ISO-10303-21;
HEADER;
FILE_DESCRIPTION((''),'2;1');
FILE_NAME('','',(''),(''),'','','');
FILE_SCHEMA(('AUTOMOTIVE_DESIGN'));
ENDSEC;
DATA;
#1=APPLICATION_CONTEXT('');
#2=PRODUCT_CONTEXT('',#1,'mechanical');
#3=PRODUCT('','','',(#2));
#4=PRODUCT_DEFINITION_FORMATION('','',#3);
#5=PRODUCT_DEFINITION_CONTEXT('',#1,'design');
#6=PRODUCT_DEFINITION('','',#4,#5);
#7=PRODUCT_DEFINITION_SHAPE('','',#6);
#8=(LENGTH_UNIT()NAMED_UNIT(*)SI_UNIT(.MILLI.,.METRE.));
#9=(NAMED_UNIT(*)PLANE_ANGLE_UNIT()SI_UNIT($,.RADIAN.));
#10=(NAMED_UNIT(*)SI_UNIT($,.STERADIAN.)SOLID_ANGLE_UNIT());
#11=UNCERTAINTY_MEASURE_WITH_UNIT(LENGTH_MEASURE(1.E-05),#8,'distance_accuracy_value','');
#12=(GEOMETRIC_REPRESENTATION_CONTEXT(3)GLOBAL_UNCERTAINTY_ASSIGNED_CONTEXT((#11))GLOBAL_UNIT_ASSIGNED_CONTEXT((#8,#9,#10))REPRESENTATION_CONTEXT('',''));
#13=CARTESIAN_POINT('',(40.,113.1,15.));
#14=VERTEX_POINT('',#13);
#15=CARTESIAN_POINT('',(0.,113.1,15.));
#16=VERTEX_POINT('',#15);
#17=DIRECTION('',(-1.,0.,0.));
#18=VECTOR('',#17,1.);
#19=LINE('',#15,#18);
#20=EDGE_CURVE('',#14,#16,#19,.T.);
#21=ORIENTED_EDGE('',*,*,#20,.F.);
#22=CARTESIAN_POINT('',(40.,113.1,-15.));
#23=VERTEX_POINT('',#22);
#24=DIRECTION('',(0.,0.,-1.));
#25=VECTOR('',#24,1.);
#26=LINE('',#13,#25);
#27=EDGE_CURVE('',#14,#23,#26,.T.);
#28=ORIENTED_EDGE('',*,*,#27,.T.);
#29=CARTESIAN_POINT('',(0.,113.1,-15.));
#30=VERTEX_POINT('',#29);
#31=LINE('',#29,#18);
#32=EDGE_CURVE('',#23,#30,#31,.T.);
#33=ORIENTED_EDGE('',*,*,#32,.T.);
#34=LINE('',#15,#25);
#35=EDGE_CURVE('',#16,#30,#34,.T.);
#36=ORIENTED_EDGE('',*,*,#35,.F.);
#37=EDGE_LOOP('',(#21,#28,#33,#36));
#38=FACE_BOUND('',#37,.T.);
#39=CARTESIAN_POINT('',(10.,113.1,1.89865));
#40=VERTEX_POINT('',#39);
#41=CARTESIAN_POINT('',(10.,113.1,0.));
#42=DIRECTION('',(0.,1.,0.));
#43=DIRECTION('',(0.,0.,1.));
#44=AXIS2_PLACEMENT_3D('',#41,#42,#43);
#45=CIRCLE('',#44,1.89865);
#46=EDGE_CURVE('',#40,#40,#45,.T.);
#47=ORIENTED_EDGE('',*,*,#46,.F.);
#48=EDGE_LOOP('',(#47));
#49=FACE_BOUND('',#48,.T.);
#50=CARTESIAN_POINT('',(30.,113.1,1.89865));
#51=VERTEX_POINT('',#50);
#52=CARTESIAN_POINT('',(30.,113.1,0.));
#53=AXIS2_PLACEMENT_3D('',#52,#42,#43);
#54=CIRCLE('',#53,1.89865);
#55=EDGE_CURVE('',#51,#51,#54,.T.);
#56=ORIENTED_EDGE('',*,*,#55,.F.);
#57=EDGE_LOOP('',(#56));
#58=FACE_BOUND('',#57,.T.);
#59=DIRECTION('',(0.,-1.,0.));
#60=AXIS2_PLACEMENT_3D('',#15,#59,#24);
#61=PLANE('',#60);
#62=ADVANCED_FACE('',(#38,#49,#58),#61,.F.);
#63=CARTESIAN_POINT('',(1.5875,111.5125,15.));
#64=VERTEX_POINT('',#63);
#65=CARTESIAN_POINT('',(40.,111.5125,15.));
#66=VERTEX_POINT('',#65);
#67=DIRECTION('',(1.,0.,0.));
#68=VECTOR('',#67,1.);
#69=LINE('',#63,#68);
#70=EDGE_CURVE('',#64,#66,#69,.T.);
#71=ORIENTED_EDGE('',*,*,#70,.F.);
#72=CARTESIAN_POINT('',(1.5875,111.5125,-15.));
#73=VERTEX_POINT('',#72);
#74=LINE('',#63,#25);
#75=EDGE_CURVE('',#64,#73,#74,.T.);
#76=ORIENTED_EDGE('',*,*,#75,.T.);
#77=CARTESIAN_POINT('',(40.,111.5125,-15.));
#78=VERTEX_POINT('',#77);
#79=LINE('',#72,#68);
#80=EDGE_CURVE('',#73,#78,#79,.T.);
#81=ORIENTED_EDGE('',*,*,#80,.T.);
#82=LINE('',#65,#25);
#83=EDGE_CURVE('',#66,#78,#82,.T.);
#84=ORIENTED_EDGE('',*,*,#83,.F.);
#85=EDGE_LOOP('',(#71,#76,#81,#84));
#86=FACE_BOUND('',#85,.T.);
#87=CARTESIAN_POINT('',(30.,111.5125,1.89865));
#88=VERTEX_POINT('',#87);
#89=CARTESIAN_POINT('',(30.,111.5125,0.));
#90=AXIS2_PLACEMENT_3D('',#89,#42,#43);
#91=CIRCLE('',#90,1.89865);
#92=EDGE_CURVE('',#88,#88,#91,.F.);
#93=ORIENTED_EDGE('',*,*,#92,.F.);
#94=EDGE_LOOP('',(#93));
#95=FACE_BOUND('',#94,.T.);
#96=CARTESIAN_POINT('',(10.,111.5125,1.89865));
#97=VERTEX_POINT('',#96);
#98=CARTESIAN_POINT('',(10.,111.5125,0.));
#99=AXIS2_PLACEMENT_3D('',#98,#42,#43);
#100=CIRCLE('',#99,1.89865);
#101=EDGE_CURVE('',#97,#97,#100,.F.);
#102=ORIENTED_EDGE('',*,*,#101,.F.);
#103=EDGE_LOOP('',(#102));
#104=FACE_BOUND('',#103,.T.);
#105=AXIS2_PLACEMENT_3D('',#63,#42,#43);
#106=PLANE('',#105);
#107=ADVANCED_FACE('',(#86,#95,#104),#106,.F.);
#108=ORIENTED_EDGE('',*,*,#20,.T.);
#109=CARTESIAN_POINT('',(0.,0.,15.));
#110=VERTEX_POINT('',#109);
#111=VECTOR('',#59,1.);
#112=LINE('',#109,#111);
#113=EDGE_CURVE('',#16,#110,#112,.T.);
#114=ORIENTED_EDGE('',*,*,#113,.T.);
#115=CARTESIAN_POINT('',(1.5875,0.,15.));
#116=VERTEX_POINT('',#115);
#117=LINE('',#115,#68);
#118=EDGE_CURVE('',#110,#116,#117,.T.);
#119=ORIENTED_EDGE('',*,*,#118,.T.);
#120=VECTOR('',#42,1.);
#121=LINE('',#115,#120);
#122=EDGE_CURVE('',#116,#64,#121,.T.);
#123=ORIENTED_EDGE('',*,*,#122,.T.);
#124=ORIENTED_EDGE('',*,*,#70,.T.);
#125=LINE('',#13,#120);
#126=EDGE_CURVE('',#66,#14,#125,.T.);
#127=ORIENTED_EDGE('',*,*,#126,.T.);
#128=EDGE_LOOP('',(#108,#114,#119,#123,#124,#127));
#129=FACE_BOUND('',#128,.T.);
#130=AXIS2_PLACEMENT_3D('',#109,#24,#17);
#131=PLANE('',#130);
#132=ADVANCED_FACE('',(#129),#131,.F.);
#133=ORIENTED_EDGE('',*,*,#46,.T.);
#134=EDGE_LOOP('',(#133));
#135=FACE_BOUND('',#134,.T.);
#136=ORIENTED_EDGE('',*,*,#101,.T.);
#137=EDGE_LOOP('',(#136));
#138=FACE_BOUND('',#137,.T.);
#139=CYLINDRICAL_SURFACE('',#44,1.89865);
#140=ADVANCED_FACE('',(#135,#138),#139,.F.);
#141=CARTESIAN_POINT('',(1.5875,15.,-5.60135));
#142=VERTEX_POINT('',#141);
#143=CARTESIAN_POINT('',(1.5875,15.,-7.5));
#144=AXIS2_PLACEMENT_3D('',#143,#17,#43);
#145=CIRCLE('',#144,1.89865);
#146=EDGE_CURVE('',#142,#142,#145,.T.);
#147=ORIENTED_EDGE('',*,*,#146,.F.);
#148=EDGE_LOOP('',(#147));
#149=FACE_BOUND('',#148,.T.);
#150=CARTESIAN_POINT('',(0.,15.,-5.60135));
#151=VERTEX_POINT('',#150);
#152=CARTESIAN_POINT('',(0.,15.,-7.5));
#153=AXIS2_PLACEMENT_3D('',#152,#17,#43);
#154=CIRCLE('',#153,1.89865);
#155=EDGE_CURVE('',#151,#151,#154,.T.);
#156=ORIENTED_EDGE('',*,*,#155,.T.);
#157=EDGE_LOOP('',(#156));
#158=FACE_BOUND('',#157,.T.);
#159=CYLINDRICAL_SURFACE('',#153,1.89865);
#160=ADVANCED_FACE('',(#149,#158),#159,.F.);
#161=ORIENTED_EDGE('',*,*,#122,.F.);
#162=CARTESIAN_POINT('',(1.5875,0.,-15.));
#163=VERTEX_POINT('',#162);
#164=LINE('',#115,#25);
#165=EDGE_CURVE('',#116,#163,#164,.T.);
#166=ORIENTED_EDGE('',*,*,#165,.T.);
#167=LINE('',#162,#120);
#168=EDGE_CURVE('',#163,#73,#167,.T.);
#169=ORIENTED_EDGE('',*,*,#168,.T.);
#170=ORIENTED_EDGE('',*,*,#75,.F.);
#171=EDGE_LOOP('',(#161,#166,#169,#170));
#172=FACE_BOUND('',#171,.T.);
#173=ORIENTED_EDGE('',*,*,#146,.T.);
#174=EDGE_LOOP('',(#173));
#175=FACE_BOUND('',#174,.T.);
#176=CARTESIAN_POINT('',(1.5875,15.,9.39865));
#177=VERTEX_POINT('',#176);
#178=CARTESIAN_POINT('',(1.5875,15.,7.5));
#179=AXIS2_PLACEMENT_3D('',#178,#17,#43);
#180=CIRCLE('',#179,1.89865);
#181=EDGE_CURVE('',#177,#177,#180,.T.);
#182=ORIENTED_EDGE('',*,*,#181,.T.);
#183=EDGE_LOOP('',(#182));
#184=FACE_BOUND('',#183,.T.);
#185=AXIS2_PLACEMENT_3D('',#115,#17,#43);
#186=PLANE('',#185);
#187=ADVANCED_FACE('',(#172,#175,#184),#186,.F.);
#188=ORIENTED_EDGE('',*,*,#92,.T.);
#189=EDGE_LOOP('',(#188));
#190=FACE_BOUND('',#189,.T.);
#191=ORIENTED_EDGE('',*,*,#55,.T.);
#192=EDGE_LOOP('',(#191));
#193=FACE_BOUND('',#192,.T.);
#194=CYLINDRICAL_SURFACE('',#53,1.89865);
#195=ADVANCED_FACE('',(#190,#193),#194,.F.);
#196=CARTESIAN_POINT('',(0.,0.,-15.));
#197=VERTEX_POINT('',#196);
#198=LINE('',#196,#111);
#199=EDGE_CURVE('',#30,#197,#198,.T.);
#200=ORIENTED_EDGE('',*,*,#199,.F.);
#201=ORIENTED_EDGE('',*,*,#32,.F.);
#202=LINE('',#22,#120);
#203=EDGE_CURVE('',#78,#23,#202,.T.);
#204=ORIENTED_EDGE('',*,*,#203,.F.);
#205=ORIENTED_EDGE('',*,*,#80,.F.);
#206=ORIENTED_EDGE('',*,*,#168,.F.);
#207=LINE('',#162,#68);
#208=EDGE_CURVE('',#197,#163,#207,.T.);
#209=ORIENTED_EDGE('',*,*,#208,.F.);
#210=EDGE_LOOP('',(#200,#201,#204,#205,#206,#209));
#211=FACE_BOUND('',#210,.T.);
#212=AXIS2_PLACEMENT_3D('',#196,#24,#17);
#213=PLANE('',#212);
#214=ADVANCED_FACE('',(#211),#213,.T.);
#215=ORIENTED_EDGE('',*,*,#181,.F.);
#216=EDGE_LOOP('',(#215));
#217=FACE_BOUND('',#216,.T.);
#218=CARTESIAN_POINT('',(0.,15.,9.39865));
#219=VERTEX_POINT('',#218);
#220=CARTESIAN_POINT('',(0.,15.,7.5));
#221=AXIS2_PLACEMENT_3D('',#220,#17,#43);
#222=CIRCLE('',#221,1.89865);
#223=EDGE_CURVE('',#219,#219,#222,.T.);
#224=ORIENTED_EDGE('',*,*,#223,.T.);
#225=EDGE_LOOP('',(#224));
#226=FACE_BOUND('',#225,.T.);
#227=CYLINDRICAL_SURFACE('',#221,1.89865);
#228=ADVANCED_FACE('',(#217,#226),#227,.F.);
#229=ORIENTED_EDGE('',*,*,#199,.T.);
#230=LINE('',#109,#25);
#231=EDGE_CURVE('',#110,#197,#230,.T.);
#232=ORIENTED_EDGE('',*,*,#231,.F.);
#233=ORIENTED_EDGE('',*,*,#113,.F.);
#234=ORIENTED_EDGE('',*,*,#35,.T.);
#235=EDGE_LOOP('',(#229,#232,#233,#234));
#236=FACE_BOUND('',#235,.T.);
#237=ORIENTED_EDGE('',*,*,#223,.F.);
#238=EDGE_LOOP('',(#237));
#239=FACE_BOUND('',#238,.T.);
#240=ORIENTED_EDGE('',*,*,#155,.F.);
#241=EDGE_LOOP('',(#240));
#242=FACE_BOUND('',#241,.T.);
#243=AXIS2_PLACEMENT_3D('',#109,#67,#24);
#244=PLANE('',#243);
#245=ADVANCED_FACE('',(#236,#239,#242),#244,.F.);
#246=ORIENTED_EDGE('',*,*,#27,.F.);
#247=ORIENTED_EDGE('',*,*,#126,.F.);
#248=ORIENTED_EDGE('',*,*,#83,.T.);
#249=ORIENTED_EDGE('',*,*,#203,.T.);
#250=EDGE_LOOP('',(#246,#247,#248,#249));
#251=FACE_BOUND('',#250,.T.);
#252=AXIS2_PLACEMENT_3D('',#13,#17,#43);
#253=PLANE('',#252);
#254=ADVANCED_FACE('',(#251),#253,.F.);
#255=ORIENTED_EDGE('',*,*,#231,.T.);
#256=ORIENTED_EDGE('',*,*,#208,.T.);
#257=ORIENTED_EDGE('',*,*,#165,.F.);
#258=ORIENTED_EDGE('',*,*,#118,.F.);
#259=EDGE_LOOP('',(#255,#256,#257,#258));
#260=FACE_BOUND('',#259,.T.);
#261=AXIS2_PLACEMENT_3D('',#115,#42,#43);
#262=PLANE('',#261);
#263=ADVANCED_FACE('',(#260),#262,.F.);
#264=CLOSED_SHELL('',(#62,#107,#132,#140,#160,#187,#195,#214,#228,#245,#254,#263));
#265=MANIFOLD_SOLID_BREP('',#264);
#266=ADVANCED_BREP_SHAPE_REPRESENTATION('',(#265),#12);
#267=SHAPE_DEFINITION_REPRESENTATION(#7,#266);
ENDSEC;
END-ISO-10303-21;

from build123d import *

# Parameters (mm, degrees)
BOSS_EXTRUDE1_DEPTH   = 15
F_6_CLEARANCE_HOLE1_D = 3.7973
F_6_CLEARANCE_HOLE2_D = 3.7973


with BuildPart() as part:
    # Sketch1 → Boss-Extrude1 (new, symmetric)
    with BuildSketch(Plane.XY):
        Polygon((0, 0), (0, 113.1), (40, 113.1), (40, 111.5125), (1.5875, 111.5125), (1.5875, 0), align=None)
    extrude(amount=BOSS_EXTRUDE1_DEPTH, both=True)

    # #6 Clearance Hole1 (through all)
    with Locations(Plane.ZY):
        with Locations((-7.5, 15), (7.5, 15)):
            Hole(F_6_CLEARANCE_HOLE1_D / 2)

    # #6 Clearance Hole2 (through all)
    with Locations(Plane(origin=(0, 113.1, 0), x_dir=(1, 0, 0), z_dir=(0, 1, 0))):
        with Locations((10, 0), (30, 0)):
            Hole(F_6_CLEARANCE_HOLE2_D / 2)


solid = part.part
